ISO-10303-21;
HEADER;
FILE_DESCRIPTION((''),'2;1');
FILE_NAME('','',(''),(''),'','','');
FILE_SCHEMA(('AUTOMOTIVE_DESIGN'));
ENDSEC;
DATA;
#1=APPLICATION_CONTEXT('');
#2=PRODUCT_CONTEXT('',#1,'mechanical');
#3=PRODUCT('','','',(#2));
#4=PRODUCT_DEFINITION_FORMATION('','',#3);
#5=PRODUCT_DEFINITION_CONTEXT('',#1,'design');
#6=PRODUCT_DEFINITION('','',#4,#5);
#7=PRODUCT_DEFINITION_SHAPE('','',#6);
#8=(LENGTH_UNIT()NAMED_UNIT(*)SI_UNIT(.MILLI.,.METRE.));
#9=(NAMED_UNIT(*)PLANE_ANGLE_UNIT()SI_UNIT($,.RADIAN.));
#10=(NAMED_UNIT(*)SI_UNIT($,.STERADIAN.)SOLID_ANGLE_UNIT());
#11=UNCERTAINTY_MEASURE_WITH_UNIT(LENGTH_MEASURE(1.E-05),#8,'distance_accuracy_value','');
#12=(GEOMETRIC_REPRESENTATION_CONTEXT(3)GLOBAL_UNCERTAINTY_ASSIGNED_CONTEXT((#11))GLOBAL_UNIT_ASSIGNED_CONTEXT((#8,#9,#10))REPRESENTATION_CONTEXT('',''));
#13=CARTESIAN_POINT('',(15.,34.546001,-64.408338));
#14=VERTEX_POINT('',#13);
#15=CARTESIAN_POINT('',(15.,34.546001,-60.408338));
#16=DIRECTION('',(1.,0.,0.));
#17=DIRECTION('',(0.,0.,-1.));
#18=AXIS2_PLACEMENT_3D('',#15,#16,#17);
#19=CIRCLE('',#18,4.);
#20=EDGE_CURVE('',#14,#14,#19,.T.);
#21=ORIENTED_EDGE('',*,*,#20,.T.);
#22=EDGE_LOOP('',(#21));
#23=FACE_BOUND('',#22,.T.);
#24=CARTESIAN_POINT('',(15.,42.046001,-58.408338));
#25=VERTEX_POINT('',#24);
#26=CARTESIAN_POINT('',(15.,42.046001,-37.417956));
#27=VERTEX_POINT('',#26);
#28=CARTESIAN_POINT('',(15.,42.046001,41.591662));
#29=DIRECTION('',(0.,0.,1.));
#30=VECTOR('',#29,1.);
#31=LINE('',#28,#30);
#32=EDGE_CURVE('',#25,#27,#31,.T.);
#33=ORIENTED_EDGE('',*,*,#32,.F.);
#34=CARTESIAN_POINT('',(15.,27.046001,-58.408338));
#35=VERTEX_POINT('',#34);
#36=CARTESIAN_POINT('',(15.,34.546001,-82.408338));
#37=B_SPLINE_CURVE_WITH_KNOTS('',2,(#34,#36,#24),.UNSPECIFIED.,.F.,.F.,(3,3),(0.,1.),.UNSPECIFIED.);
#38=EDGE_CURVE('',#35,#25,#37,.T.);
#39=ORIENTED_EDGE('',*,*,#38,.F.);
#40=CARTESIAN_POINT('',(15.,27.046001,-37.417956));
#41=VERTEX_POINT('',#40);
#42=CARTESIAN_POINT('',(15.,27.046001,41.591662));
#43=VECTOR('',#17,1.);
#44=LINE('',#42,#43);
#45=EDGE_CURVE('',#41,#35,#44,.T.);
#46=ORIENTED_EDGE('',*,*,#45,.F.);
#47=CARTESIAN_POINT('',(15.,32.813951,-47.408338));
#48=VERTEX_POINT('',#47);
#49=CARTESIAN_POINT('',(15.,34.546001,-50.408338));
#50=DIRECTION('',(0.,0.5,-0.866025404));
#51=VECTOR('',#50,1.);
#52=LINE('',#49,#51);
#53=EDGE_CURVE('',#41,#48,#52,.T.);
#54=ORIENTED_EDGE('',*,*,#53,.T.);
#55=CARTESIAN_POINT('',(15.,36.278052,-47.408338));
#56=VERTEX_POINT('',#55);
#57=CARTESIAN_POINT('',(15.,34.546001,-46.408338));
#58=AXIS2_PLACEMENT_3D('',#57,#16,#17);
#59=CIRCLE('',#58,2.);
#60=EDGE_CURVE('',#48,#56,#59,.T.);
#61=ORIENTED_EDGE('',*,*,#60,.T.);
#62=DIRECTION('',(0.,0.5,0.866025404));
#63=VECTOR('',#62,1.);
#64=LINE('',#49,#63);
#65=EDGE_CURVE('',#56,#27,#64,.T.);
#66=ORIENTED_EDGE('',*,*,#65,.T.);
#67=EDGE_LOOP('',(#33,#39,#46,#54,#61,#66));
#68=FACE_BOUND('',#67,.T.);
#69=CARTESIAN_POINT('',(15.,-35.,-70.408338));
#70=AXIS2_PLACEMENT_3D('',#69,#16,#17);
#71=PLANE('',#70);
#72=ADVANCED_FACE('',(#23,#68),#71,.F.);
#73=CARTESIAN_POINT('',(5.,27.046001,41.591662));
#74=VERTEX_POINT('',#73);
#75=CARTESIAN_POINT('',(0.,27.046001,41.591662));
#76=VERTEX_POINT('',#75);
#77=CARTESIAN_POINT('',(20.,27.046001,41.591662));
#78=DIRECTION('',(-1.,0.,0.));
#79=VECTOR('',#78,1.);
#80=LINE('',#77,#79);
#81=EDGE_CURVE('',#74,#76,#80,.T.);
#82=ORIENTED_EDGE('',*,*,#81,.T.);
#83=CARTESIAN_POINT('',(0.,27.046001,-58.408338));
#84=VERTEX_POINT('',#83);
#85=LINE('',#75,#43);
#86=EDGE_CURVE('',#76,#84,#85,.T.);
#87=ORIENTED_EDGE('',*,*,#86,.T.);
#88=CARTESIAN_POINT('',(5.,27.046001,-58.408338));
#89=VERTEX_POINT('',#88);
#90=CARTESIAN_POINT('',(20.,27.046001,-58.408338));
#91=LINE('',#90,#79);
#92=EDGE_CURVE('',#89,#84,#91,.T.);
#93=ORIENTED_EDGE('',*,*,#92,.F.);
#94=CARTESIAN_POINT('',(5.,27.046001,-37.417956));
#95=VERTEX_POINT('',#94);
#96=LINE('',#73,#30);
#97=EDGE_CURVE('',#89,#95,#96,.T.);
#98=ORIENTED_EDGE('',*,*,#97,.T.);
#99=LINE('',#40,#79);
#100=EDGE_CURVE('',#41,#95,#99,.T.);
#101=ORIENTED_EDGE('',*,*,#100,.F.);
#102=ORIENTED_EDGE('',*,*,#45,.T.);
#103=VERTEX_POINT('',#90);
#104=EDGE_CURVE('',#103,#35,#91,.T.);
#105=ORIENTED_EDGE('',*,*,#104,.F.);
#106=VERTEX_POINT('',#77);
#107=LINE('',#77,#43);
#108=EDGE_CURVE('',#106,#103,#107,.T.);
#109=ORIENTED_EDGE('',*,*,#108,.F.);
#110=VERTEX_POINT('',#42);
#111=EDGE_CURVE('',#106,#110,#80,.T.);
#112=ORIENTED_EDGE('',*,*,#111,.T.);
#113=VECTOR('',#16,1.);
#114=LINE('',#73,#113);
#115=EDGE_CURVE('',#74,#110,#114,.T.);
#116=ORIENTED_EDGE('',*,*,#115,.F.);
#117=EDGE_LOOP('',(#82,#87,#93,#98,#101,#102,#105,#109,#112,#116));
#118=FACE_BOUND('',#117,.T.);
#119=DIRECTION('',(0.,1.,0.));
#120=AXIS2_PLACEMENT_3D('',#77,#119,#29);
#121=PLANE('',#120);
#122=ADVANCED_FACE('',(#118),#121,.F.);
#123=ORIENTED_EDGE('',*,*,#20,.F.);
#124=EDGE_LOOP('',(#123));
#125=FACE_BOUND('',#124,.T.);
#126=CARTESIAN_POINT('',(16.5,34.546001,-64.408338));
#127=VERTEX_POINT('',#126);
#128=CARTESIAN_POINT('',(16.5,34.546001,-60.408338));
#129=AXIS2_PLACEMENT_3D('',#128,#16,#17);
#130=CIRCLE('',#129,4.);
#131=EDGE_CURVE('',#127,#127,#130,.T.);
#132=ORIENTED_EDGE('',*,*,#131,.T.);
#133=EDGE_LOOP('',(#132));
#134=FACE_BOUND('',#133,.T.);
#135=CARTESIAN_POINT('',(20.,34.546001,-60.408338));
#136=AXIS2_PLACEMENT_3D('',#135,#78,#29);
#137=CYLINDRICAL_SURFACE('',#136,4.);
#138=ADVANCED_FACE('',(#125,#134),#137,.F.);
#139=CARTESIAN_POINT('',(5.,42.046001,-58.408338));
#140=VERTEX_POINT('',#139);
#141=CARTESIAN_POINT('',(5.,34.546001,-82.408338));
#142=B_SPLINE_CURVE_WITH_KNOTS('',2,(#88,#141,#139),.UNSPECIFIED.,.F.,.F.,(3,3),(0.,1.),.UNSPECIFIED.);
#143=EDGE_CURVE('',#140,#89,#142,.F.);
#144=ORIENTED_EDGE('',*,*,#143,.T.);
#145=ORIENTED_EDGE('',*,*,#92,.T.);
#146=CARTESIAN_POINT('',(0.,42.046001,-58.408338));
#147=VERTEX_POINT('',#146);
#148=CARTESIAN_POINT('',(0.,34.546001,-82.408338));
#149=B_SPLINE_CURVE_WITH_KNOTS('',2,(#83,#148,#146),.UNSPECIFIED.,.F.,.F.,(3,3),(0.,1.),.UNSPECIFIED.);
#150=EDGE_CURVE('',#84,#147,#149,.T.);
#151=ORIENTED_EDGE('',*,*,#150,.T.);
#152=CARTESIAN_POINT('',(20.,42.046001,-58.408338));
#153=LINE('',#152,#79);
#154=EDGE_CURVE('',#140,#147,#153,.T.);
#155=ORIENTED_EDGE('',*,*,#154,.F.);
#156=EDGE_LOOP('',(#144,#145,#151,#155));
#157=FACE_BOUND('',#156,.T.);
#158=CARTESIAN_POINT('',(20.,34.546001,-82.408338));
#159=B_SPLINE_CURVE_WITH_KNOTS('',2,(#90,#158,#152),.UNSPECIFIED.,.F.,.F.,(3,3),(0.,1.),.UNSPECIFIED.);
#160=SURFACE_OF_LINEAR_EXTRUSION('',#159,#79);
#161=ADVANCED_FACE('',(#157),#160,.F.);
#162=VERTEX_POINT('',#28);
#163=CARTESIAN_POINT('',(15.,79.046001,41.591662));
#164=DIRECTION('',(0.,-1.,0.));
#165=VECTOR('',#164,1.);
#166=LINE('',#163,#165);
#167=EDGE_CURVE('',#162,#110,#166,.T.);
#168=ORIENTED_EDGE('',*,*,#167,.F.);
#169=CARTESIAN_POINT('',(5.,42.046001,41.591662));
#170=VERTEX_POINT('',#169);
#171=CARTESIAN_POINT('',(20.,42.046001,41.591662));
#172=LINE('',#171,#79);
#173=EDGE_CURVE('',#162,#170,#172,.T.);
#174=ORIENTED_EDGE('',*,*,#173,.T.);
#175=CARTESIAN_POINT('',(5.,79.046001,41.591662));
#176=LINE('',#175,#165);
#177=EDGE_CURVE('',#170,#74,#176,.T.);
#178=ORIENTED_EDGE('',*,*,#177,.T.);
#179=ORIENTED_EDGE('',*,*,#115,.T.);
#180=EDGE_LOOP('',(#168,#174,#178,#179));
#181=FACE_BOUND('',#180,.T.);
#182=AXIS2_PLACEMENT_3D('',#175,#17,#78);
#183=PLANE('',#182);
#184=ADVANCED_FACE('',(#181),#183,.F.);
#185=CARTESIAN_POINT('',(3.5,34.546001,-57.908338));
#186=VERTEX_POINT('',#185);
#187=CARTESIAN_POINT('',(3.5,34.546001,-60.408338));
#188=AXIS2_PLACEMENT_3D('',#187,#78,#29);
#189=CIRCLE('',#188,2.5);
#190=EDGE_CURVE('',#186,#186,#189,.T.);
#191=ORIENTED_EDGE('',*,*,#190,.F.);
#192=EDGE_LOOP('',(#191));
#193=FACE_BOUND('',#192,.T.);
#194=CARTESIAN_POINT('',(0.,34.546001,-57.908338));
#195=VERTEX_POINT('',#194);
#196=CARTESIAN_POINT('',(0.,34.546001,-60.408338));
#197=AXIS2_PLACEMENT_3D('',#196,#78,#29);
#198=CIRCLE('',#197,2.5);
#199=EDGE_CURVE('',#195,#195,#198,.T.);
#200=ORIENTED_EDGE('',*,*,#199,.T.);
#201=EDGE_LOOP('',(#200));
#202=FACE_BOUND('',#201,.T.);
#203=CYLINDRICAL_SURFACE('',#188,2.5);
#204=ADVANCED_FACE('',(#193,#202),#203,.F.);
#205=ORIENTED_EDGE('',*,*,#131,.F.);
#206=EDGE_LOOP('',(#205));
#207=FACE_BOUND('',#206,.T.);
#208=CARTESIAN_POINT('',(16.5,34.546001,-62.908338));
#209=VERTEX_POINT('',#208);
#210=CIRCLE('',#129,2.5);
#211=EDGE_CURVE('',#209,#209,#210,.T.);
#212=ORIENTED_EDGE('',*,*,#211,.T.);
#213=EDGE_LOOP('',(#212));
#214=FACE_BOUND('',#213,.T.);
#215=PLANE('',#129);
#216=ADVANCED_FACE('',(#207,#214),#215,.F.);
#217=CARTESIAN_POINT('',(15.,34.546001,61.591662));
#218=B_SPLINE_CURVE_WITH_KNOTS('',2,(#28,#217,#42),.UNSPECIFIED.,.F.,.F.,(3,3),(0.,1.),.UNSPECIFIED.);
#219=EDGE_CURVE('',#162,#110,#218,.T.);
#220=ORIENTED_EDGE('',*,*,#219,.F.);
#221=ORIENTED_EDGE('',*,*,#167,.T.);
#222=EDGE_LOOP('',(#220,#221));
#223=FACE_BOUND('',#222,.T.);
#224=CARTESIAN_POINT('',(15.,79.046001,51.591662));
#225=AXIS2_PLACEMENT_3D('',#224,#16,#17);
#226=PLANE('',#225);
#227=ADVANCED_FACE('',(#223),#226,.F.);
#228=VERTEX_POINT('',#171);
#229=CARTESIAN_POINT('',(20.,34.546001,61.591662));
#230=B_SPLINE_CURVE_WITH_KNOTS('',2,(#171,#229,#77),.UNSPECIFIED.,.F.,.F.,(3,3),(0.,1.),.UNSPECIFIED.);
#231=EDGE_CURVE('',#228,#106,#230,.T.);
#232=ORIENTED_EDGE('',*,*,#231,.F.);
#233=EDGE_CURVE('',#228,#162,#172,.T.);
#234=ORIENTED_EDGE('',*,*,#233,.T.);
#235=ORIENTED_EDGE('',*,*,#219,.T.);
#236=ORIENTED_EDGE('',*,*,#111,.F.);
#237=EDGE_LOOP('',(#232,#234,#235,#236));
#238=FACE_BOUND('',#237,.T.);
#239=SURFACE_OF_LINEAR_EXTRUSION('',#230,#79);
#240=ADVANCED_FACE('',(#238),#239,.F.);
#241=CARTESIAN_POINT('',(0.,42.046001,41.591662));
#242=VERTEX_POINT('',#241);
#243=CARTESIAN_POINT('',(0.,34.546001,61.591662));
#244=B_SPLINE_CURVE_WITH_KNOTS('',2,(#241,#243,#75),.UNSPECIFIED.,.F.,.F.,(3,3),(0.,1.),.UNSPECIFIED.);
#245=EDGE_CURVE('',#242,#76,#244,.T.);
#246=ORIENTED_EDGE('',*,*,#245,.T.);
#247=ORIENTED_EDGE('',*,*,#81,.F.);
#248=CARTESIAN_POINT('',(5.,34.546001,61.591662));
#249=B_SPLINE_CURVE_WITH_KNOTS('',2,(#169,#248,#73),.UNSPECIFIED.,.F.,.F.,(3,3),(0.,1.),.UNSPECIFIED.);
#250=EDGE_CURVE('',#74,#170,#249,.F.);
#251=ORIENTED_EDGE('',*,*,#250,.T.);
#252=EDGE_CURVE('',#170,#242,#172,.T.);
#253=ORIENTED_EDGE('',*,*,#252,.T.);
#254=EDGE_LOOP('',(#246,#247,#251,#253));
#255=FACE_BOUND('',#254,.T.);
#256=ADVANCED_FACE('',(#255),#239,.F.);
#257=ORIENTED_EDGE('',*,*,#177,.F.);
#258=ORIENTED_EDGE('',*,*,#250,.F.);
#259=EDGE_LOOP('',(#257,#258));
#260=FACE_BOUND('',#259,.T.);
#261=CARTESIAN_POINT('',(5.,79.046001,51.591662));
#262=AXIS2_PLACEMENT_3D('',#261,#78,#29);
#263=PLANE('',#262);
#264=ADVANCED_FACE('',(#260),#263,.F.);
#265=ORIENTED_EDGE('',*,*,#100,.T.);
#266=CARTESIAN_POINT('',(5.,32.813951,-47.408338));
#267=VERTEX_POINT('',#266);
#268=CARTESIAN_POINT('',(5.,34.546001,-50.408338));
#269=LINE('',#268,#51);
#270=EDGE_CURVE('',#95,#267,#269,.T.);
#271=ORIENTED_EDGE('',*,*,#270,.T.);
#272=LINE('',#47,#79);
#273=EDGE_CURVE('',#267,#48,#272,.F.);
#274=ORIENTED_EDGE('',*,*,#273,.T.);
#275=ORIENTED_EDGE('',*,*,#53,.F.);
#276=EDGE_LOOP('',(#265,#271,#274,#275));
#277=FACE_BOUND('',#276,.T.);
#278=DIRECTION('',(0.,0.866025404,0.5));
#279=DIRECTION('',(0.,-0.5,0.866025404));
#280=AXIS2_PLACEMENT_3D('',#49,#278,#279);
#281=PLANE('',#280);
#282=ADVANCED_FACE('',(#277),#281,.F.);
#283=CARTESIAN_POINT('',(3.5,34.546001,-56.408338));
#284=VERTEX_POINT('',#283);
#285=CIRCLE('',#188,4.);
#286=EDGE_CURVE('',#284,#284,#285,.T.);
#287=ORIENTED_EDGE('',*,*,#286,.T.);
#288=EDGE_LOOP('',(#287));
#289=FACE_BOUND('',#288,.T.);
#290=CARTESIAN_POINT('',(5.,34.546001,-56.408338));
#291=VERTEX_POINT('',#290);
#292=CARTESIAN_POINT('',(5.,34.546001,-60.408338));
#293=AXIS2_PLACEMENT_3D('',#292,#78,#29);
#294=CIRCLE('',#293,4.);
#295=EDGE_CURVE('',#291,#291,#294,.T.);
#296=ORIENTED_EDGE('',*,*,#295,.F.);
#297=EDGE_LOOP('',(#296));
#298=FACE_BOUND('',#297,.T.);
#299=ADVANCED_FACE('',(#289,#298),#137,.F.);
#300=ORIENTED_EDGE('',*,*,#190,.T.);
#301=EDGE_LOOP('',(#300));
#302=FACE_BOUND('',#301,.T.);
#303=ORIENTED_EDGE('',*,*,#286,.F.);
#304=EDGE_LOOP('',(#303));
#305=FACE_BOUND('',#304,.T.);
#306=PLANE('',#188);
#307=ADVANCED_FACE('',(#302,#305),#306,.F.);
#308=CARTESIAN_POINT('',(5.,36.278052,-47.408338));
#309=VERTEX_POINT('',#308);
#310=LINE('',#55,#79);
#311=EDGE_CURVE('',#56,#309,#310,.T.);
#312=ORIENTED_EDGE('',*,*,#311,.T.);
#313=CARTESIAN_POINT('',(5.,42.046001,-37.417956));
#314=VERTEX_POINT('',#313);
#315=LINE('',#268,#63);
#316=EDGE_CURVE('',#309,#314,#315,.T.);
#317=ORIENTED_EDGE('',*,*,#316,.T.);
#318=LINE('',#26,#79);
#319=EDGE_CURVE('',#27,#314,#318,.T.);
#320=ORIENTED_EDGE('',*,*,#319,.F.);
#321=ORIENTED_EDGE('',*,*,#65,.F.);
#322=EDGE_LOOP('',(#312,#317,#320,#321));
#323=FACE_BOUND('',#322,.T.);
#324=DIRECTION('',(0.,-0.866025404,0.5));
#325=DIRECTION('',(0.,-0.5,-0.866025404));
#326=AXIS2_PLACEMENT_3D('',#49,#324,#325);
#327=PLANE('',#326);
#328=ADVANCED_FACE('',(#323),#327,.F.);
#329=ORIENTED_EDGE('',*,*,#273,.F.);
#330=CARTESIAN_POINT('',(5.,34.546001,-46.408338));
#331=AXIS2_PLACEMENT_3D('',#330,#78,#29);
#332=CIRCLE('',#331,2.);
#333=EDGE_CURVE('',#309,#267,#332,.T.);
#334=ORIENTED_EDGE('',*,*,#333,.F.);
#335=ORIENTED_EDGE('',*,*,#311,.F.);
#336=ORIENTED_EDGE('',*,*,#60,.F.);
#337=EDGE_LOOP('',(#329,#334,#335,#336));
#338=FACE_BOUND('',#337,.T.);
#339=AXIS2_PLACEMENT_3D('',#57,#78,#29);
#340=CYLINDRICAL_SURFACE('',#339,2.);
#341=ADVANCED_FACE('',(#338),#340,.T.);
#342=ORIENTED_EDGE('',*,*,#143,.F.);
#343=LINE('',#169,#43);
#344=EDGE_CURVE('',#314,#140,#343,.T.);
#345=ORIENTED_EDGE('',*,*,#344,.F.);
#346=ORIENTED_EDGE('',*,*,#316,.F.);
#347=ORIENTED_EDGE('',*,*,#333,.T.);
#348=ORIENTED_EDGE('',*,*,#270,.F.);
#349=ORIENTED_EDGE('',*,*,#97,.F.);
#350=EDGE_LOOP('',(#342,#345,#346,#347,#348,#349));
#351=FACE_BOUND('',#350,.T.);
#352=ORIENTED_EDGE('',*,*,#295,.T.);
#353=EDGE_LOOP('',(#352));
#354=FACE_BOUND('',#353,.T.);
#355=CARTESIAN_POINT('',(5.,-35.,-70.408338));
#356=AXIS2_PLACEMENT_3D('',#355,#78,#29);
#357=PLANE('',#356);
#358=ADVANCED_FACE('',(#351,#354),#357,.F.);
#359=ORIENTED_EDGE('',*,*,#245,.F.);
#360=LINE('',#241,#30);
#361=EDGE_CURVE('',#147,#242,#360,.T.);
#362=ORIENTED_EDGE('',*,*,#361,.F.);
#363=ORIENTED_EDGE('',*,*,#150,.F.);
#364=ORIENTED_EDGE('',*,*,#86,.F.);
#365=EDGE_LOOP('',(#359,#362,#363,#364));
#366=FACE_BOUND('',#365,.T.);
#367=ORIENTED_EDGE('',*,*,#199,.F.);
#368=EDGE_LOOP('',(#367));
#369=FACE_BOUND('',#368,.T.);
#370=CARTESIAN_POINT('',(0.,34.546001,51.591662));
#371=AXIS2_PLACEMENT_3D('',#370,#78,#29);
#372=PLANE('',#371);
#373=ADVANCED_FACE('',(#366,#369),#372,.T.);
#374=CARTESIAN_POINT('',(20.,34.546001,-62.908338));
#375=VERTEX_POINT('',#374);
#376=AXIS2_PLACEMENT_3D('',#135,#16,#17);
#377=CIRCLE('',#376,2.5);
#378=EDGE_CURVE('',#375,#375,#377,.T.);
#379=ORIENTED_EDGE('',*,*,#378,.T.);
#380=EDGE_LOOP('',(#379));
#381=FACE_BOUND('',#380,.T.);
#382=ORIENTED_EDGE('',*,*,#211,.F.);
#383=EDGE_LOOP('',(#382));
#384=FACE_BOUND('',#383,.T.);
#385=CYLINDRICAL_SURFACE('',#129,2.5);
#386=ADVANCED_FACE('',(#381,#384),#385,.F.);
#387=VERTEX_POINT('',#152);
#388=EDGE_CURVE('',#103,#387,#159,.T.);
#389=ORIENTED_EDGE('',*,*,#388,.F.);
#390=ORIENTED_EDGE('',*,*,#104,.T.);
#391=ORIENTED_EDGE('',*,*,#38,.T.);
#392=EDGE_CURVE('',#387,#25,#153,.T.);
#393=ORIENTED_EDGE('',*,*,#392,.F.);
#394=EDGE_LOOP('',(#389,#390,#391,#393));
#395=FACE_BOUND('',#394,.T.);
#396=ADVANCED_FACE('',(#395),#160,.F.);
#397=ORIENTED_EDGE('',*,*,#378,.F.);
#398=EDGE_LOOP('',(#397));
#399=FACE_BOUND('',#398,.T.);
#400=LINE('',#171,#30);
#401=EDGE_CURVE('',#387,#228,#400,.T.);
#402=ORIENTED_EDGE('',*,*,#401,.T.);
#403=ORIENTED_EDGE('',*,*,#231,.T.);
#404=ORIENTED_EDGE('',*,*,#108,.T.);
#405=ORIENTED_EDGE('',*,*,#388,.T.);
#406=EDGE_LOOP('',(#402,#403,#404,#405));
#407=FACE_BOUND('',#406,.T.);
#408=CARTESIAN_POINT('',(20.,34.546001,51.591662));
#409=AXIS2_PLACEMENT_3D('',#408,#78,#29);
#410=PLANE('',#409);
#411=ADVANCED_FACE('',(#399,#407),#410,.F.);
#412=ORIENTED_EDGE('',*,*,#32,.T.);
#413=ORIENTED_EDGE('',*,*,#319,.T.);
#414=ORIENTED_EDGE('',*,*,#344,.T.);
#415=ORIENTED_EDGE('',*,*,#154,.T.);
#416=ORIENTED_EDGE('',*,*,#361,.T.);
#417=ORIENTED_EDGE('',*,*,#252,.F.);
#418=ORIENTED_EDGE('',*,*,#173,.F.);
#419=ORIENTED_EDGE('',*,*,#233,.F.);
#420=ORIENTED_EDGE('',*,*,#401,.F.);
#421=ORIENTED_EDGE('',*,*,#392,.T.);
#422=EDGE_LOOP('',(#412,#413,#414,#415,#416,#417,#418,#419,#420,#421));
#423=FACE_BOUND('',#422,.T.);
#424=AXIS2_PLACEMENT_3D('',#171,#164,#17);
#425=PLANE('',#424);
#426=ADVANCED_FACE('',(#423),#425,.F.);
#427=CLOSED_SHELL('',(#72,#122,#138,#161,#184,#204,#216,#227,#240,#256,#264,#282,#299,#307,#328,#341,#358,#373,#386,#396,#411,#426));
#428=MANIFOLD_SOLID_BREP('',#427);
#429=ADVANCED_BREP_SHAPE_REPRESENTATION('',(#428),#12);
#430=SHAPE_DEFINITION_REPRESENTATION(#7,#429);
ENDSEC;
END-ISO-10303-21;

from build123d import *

# Parameters (mm, degrees)
SKETCH1_R               = 4
BOSS_EXTRUDE1_DEPTH     = 20
CUT_EXTRUDE1_DEPTH      = 52
CUT_EXTRUDE1_DEPTH_BACK = 35
SKETCH2_W               = 10
SKETCH2_H               = 20
SKETCH3_W               = 10
SKETCH3_H               = 10
CUT_EXTRUDE2_DEPTH      = 52
CUT_EXTRUDE3_START      = -5
CUT_EXTRUDE3_DEPTH      = 10
CUT_EXTRUDE4_START      = -5
CUT_EXTRUDE4_DEPTH      = 10
FILLET1_R               = 2
SKETCH9_R               = 4
SKETCH9_R_2             = 2.5
BOSS_EXTRUDE2_DEPTH     = 3.5
BOSS_EXTRUDE3_START     = -3.5
SKETCH10_R              = 4
SKETCH10_R_2            = 2.5
BOSS_EXTRUDE3_DEPTH     = 3.5


with BuildPart() as part:
    # Sketch1 → Boss-Extrude1 (new body)
    with BuildSketch(Plane(origin=(0, 0, 0), x_dir=(0, 0, -1), z_dir=(1, 0, 0))):
        with BuildLine():
            Line((-41.59166249, 42.046001407), (58.40833751, 42.046001407))
            add(Edge.make_bspline(
                [(58.40833751, 42.046001407), (82.40833751, 34.546001407), (58.40833751, 27.046001407)],
                knots=[0, 0, 0, 1, 1, 1], degree=2))
            Line((58.40833751, 27.046001407), (-41.59166249, 27.046001407))
            add(Edge.make_bspline(
                [(-41.59166249, 42.046001407), (-61.59166249, 34.546001407), (-41.59166249, 27.046001407)],
                knots=[0, 0, 0, 1, 1, 1], degree=2))
        make_face()
        with Locations((60.40833751, 34.546001407)):
            Circle(SKETCH1_R, mode=Mode.SUBTRACT)
    extrude(amount=BOSS_EXTRUDE1_DEPTH)

    # Sketch2 → Cut-Extrude1 (cut, two sides: drawn at the far end of the back side and taken through both)
    with BuildSketch(Plane(origin=(0, 0, 0), x_dir=(1, 0, 0), z_dir=(0, 1, 0)).offset(-CUT_EXTRUDE1_DEPTH_BACK)):
        with Locations((10, 60.40833751)):
            Rectangle(SKETCH2_W, SKETCH2_H)
    extrude(amount=CUT_EXTRUDE1_DEPTH + CUT_EXTRUDE1_DEPTH_BACK, mode=Mode.SUBTRACT)

    # Sketch3 → Cut-Extrude2 (cut)
    with BuildSketch(Plane.XZ.offset(-27.046001407)):
        with Locations((10, 46.59166249)):
            Rectangle(SKETCH3_W, SKETCH3_H)
    extrude(amount=-CUT_EXTRUDE2_DEPTH, mode=Mode.SUBTRACT)

    # Sketch4 → Cut-Extrude3 (cut)
    with BuildSketch(Plane.ZY.offset(CUT_EXTRUDE3_START)):
        Polygon((-50.40833751, 34.546001407), (-50.40833751, 42.046001407), (-37.417956453, 42.046001407), align=None)
    extrude(amount=-CUT_EXTRUDE3_DEPTH, mode=Mode.SUBTRACT)

    # Sketch5 → Cut-Extrude4 (cut)
    with BuildSketch(Plane.ZY.offset(CUT_EXTRUDE4_START)):
        Polygon((-50.40833751, 27.046001407), (-50.40833751, 34.546001407), (-37.417956453, 27.046001407), align=None)
    extrude(amount=-CUT_EXTRUDE4_DEPTH, mode=Mode.SUBTRACT)

    # Fillet1
    fillet1_edges = [part.edges().sort_by_distance(p)[0] for p in [
        (10, 34.546001407, -50.40833751),
    ]]
    fillet(fillet1_edges, radius=FILLET1_R)

    # Sketch9 → Boss-Extrude2 (add)
    with BuildSketch(Plane.ZY):
        with Locations((-60.40833751, 34.546001407)):
            Circle(SKETCH9_R)
        with Locations((-60.40833751, 34.546001407)):
            Circle(SKETCH9_R_2, mode=Mode.SUBTRACT)
    extrude(amount=-BOSS_EXTRUDE2_DEPTH)

    # Sketch10 → Boss-Extrude3 (add)
    with BuildSketch(Plane(origin=(20, 0, 0), x_dir=(0, 0, -1), z_dir=(1, 0, 0)).offset(BOSS_EXTRUDE3_START)):
        with Locations((60.40833751, 34.546001407)):
            Circle(SKETCH10_R)
        with Locations(Location((60.40833751, 34.546001407, 0), (0, 0, 180))):
            Circle(SKETCH10_R_2, mode=Mode.SUBTRACT)
    extrude(amount=BOSS_EXTRUDE3_DEPTH)


solid = part.part
